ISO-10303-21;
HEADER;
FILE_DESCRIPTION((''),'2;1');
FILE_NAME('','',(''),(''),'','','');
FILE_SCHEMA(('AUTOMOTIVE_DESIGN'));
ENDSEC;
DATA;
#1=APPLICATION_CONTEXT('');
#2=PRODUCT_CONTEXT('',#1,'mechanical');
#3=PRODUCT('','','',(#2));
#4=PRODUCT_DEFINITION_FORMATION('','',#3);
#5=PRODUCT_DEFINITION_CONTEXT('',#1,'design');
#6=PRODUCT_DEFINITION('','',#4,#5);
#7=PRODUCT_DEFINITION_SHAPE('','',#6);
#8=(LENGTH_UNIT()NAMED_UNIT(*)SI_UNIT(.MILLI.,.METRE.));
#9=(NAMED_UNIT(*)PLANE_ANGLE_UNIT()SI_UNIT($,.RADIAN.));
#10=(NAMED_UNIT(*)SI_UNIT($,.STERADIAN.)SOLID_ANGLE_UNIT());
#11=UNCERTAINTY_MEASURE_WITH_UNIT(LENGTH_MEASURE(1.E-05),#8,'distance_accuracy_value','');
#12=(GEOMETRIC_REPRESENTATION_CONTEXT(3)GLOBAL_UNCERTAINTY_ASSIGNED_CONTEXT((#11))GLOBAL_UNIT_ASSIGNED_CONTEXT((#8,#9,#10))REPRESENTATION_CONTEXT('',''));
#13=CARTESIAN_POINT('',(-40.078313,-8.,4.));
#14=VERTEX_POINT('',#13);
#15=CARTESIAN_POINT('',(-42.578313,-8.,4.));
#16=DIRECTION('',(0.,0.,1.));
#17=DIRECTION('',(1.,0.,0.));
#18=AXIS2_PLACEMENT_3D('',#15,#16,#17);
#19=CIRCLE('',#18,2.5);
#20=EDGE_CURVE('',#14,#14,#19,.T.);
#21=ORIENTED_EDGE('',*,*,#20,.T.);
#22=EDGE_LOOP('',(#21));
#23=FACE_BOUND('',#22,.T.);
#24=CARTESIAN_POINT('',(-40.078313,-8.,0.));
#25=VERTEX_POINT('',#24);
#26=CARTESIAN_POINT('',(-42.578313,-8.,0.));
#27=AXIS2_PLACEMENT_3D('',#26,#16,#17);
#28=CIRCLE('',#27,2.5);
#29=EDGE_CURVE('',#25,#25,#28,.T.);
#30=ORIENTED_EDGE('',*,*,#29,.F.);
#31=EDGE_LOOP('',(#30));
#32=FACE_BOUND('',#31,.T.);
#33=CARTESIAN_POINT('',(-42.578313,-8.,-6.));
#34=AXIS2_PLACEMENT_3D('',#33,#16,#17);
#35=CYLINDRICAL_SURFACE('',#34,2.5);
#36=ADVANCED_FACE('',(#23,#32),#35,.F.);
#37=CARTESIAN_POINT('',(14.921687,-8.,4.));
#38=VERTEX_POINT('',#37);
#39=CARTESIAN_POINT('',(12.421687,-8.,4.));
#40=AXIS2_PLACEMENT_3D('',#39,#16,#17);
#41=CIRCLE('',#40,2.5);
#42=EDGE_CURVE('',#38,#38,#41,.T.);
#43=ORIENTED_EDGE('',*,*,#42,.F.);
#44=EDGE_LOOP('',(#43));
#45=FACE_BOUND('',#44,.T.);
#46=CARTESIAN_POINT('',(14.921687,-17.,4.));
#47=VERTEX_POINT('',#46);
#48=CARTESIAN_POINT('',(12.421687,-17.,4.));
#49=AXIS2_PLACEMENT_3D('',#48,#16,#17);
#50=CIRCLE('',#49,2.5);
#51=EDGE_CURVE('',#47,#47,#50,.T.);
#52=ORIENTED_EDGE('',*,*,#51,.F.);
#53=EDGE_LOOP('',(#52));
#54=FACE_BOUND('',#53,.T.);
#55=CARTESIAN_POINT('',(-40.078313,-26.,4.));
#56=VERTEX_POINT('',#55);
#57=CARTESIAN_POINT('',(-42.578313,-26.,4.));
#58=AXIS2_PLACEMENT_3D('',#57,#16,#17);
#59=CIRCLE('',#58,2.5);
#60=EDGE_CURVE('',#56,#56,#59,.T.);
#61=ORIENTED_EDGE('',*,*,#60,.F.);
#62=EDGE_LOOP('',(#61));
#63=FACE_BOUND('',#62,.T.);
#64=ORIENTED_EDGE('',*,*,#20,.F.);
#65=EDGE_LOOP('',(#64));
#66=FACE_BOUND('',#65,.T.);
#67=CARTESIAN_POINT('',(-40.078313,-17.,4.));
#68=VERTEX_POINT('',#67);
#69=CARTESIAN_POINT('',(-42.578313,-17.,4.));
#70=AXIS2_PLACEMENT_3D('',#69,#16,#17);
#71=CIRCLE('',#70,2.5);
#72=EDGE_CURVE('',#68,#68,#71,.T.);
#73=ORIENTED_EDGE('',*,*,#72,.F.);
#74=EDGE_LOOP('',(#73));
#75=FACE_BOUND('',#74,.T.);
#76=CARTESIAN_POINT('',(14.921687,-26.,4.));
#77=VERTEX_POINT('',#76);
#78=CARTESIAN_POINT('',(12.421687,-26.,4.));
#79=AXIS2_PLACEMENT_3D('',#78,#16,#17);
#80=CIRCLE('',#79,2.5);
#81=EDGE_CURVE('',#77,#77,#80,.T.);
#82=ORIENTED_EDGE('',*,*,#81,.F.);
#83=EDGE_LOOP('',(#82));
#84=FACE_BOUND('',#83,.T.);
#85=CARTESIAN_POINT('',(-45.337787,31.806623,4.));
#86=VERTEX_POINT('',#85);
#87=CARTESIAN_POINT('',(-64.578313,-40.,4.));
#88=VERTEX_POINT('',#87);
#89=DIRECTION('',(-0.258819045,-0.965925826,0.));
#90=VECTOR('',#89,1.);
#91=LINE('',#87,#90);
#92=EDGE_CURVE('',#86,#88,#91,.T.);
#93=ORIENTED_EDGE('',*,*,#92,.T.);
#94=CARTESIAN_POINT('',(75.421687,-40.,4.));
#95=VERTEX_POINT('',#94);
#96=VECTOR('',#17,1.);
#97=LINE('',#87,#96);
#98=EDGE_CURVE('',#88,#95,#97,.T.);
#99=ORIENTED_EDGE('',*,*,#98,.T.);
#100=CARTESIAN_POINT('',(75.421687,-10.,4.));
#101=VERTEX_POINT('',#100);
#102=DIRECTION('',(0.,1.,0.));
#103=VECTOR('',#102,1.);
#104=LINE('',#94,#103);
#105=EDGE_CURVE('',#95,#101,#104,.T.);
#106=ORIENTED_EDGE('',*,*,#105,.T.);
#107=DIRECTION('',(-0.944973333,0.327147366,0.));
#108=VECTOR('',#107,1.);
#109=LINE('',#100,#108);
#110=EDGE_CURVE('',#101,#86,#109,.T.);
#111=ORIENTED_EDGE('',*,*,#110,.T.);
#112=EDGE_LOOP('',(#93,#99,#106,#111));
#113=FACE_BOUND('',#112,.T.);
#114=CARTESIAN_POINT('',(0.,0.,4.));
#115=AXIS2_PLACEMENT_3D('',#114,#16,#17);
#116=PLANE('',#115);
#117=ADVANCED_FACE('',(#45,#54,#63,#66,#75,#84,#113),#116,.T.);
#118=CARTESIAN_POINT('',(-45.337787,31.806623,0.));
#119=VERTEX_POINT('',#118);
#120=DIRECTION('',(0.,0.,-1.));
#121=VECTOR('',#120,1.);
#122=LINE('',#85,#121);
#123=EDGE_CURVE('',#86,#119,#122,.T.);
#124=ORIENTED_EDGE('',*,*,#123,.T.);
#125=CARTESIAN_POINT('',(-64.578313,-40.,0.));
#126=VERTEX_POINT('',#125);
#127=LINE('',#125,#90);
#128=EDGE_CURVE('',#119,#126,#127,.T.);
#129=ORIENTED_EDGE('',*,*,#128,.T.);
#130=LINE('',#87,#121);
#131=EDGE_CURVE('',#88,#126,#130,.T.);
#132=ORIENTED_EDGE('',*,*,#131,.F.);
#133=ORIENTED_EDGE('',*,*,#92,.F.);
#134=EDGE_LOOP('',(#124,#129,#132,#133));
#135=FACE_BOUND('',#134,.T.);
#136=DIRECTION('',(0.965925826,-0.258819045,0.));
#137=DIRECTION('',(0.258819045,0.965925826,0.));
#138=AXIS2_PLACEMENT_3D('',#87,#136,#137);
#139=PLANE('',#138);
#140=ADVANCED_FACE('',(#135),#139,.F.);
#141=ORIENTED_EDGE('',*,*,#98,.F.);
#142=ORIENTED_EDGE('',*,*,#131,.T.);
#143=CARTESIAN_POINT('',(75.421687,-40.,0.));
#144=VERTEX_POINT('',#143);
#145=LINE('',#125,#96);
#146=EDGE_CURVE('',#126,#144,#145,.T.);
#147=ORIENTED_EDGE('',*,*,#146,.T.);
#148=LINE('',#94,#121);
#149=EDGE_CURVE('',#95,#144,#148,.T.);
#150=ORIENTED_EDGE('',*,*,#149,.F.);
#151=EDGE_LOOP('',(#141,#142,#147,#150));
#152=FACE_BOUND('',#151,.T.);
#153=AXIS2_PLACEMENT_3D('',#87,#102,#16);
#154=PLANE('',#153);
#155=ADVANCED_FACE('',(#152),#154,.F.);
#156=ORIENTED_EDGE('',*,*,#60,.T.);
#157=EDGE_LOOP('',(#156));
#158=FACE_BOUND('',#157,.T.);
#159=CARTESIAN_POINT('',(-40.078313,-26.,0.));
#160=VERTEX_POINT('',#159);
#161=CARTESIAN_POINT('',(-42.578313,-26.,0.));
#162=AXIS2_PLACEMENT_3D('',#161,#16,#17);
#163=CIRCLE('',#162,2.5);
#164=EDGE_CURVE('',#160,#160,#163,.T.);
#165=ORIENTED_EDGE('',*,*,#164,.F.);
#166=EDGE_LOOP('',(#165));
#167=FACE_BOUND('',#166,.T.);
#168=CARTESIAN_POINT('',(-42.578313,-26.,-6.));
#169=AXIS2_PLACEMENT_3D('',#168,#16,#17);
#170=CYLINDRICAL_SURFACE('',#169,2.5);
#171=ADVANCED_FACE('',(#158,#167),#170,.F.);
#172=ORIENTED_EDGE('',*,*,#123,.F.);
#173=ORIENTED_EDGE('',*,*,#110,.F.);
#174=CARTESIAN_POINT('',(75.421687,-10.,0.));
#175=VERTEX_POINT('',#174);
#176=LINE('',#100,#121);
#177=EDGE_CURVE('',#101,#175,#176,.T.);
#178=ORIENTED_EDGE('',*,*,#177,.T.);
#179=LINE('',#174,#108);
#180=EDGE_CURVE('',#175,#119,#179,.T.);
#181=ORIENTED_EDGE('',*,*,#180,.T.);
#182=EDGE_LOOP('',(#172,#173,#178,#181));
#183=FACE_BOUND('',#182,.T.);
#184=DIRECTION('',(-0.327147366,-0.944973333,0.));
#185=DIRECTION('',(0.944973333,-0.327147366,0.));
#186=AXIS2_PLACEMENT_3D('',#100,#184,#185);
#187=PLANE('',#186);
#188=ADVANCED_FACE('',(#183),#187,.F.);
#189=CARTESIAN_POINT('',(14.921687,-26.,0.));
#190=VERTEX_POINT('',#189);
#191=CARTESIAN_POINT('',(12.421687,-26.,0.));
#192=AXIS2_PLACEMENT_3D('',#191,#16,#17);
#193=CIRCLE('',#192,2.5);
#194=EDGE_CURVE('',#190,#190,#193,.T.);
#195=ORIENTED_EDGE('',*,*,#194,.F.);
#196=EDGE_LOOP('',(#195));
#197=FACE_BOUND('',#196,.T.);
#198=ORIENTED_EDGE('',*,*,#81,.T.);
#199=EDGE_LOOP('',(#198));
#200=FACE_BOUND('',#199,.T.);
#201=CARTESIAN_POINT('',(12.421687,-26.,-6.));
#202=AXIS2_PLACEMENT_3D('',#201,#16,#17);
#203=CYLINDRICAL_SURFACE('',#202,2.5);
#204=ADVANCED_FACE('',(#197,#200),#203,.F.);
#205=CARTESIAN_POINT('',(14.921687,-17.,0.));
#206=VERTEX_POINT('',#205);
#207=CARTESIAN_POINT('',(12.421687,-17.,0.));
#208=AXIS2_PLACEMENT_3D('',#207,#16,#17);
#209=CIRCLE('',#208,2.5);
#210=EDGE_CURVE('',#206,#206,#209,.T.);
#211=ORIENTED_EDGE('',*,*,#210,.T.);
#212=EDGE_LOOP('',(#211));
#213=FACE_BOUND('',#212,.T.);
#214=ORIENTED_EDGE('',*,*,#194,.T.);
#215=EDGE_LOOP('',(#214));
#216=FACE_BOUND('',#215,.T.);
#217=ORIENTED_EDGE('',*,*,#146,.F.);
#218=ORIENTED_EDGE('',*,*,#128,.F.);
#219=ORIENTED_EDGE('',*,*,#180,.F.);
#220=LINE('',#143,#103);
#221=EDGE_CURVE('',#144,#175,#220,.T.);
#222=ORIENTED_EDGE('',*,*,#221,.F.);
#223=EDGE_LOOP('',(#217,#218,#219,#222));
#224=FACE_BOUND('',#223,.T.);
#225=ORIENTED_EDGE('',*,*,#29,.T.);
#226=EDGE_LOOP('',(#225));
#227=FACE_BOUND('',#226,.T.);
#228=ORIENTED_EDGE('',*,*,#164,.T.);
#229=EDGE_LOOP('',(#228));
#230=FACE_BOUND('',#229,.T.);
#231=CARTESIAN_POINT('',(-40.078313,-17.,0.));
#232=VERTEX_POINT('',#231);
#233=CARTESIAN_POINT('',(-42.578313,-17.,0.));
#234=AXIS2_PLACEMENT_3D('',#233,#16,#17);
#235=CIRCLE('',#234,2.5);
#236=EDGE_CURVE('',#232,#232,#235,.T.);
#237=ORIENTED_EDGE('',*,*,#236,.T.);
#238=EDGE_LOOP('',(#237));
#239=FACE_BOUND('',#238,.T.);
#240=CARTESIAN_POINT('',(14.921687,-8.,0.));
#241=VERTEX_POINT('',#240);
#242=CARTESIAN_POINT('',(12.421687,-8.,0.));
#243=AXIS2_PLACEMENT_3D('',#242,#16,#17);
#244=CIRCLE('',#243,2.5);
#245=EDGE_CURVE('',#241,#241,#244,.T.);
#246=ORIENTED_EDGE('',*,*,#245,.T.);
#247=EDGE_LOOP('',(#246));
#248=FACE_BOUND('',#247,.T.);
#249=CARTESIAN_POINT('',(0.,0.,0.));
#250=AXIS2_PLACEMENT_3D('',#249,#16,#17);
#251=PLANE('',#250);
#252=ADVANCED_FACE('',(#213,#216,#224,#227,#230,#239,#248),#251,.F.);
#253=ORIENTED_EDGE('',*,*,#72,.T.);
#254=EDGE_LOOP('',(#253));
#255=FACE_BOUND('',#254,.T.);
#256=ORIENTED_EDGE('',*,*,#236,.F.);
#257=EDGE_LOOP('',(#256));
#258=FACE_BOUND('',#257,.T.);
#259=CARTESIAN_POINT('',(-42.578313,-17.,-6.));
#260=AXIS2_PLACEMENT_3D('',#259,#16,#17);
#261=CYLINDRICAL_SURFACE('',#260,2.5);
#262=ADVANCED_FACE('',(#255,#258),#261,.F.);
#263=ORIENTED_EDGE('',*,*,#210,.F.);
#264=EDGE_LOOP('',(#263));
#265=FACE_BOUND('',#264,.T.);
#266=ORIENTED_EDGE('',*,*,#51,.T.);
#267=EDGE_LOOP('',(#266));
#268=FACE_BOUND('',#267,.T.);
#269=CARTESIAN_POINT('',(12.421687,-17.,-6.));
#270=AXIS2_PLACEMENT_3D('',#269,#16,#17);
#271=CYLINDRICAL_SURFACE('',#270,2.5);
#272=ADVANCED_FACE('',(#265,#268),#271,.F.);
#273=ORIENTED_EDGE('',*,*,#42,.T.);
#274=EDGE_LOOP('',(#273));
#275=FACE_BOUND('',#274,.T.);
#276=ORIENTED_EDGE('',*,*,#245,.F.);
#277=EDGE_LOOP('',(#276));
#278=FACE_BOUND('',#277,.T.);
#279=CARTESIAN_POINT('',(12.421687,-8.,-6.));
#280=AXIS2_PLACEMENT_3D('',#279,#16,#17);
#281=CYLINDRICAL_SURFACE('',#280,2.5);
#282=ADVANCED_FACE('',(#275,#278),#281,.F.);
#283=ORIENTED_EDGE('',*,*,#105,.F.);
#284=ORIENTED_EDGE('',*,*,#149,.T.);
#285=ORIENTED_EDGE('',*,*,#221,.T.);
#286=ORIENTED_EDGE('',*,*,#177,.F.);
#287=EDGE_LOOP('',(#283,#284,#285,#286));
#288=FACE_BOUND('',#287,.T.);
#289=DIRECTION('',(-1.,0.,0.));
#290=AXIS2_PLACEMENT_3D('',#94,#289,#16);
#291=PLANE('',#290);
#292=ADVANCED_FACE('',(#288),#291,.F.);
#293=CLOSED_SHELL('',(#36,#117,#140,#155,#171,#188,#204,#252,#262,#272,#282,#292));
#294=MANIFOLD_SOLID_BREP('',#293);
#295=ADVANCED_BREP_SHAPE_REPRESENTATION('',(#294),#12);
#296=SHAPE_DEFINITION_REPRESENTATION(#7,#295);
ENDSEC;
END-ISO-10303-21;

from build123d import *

# Parameters (mm, degrees)
BOSS_EXTRUDE1_DEPTH = 4
SKETCH2_R           = 2.5
CUT_EXTRUDE1_DEPTH  = 10


with BuildPart() as part:
    # Sketch1 → Boss-Extrude1 (new body)
    with BuildSketch(Plane.XY):
        Polygon((75.421686747, -40), (75.421686747, -10), (-45.337786669, 31.806622775), (-64.578313253, -40), align=None)
    extrude(amount=BOSS_EXTRUDE1_DEPTH)

    # Sketch2 → Cut-Extrude1 (cut)
    with BuildSketch(Plane.XY.offset(4)):
        with Locations((-42.578313253, -17)):
            Circle(SKETCH2_R)
        with Locations((-42.578313253, -8)):
            Circle(SKETCH2_R)
        with Locations((-42.578313253, -26)):
            Circle(SKETCH2_R)
        with Locations((12.421686747, -17)):
            Circle(SKETCH2_R)
        with Locations((12.421686747, -8)):
            Circle(SKETCH2_R)
        with Locations((12.421686747, -26)):
            Circle(SKETCH2_R)
    extrude(amount=-CUT_EXTRUDE1_DEPTH, mode=Mode.SUBTRACT)


solid = part.part
